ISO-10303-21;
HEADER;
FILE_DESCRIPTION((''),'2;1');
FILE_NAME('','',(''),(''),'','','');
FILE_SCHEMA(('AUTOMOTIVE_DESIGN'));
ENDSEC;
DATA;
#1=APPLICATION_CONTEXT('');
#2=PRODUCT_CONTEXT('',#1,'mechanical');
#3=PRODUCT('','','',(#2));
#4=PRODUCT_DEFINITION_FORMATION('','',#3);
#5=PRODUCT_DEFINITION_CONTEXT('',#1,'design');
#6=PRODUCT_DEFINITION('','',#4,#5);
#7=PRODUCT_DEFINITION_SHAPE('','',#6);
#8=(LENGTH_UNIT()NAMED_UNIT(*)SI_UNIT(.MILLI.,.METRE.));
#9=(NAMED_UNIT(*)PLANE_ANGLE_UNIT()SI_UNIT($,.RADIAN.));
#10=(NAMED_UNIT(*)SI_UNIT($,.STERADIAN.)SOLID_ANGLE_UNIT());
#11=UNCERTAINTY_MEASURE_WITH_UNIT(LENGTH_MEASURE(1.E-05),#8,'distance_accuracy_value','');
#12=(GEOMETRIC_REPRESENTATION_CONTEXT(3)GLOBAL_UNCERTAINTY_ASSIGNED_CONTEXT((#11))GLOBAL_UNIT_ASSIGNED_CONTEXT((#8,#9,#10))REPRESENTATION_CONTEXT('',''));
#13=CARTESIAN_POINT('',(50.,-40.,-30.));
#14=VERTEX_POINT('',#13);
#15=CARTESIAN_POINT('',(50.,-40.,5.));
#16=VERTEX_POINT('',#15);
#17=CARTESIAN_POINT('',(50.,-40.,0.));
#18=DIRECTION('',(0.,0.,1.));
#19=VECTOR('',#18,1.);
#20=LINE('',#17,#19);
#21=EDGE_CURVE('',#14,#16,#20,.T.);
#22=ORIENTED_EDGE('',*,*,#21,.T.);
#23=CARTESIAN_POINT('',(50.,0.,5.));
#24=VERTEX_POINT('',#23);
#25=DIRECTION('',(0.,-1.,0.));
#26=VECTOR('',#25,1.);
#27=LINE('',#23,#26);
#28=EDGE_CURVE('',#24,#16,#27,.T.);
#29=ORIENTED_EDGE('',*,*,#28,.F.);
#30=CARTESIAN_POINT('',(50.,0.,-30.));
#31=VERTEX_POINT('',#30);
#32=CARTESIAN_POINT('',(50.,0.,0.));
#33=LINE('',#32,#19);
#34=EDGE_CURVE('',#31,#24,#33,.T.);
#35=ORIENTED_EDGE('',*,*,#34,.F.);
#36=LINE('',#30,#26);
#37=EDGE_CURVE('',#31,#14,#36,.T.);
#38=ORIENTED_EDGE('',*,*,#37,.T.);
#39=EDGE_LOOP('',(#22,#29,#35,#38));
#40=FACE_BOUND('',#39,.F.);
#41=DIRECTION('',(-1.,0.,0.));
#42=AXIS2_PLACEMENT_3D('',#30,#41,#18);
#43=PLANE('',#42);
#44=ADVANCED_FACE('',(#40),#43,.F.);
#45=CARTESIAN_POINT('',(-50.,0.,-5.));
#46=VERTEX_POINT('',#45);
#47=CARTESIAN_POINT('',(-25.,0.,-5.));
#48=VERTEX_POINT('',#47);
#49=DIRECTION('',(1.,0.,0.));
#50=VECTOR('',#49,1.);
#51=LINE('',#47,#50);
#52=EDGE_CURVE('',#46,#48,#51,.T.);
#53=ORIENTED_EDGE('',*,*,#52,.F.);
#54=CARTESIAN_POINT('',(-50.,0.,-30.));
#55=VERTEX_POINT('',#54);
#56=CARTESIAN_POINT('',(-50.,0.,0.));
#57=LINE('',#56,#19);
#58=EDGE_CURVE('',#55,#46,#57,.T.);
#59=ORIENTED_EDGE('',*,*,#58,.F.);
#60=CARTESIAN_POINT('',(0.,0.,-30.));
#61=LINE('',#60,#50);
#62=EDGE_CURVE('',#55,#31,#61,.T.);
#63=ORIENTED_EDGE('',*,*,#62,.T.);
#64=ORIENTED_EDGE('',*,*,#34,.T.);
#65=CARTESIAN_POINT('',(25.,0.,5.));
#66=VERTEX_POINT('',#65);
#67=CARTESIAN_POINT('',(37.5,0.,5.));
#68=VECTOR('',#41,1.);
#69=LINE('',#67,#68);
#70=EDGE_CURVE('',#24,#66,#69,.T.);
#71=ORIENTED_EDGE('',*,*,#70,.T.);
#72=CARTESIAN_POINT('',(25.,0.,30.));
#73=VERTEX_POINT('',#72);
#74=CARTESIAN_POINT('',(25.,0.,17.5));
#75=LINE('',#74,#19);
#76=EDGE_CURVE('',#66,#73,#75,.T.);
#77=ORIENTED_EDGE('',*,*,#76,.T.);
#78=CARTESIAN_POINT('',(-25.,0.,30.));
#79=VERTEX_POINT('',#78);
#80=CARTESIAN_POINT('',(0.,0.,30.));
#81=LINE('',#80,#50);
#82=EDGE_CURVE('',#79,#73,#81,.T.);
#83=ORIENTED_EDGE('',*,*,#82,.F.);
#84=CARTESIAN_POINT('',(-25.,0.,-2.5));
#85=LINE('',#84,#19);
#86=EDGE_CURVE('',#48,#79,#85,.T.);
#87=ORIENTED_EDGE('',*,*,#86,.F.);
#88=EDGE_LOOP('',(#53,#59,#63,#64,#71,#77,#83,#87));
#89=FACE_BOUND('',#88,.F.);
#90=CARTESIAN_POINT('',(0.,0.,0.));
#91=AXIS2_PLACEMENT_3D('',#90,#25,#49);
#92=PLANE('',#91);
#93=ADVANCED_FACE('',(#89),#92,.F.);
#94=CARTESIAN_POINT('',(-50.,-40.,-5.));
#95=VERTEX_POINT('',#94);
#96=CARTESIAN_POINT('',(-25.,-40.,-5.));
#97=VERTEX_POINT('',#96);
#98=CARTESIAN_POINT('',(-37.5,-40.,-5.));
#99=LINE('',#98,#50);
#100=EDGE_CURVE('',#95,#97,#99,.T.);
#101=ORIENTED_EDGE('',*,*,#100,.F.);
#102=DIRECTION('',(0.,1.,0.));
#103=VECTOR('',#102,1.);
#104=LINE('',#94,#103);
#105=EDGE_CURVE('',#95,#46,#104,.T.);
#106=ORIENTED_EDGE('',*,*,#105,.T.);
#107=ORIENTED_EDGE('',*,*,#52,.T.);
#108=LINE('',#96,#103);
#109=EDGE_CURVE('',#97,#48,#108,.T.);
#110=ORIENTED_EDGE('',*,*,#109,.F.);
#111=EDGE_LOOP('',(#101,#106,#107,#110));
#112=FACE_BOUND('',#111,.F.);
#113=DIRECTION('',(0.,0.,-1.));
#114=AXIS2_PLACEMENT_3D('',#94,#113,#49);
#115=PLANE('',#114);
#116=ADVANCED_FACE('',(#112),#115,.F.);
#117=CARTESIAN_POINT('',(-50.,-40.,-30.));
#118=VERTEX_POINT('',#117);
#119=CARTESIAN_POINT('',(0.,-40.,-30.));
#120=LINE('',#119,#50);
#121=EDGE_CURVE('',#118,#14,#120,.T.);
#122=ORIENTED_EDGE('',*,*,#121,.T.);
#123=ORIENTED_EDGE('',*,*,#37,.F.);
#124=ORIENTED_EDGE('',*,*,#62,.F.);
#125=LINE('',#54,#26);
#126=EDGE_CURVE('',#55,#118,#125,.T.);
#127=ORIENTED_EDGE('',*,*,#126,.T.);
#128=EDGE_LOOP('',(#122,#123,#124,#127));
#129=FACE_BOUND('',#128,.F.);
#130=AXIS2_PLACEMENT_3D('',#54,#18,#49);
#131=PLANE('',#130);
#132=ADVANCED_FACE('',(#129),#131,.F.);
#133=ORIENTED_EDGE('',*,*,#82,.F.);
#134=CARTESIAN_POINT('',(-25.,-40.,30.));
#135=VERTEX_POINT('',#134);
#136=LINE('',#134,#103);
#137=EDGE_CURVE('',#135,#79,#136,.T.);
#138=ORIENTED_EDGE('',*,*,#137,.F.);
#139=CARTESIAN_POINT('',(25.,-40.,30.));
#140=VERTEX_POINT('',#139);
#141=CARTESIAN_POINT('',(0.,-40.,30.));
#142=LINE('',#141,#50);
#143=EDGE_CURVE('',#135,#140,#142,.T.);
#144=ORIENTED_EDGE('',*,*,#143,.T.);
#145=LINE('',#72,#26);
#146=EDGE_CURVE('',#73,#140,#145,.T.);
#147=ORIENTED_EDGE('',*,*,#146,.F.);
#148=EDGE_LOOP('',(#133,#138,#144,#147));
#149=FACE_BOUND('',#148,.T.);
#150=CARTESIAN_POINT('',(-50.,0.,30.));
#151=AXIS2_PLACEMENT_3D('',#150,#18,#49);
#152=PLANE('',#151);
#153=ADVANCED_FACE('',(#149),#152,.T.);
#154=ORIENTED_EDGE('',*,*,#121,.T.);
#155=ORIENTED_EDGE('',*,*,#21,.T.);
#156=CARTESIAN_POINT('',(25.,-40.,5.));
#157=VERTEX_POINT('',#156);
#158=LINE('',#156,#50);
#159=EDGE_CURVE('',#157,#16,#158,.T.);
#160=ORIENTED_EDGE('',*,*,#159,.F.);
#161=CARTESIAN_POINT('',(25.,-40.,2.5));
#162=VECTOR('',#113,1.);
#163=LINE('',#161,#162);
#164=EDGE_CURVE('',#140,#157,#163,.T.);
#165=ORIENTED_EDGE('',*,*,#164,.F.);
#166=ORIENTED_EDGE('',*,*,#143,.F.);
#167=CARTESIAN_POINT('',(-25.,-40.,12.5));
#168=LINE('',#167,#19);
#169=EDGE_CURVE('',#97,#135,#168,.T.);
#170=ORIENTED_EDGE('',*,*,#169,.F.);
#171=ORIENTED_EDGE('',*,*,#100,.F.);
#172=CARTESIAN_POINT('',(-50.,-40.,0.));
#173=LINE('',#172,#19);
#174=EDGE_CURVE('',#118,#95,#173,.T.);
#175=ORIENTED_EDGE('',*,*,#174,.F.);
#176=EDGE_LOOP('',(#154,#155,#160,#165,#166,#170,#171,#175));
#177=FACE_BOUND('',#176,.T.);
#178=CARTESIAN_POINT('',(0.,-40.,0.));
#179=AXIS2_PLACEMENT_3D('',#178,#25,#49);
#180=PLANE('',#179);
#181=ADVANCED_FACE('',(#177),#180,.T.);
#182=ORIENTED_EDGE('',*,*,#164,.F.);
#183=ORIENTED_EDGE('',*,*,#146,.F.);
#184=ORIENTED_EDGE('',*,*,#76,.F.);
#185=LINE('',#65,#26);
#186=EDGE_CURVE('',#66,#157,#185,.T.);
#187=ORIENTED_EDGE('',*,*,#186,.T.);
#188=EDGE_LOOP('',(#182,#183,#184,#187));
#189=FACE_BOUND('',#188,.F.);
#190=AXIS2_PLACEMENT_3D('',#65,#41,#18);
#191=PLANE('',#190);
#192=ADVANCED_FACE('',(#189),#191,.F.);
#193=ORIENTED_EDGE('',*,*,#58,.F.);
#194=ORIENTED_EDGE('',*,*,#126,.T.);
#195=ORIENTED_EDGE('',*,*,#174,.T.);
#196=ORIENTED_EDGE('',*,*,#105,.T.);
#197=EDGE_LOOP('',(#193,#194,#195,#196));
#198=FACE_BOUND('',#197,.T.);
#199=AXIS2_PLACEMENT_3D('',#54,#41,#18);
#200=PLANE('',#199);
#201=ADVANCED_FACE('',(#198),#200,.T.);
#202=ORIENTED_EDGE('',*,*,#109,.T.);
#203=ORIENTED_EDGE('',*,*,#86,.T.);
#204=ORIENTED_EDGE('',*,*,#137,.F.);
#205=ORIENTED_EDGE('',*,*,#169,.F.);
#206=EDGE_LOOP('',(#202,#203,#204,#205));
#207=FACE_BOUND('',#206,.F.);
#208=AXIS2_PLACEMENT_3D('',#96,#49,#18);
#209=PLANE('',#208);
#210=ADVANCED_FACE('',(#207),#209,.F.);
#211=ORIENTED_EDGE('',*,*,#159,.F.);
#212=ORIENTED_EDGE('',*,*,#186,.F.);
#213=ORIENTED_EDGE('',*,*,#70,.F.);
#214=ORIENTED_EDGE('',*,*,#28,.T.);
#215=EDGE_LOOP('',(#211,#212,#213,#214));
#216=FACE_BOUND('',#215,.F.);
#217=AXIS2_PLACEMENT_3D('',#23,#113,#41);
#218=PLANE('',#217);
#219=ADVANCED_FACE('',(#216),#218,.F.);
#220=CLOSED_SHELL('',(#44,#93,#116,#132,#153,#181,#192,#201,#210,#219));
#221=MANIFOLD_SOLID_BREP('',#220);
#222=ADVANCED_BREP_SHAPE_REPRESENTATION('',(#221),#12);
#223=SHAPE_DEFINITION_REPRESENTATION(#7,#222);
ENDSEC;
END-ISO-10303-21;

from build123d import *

# Parameters (mm, degrees)
F0_W     = 100
F0_H     = 60
F1_DEPTH = 40
F2_W     = 25
F2_H     = 35
F3_DEPTH = 40.001
F4_W     = 25
F4_H     = 25
F5_DEPTH = 40.001


with BuildPart() as f1:
    # F0 (on Front) → F1 (new body)
    with BuildSketch(Plane.XZ):
        Rectangle(F0_W, F0_H)
    extrude(amount=F1_DEPTH)

    # F2 (on face) → F3 (cut, through all)
    with BuildSketch(Plane.XZ.offset(40)):
        with Locations((-37.5, 12.5)):
            Rectangle(F2_W, F2_H)
    extrude(amount=-F3_DEPTH, mode=Mode.SUBTRACT)

    # F4 (on face) → F5 (cut, through all)
    with BuildSketch(Plane(origin=(0, 0, 0), x_dir=(-1, 0, 0), z_dir=(0, 1, 0))):
        with Locations((-37.5, 17.5)):
            Rectangle(F4_W, F4_H)
    extrude(amount=-F5_DEPTH, mode=Mode.SUBTRACT)


solid = f1.part
